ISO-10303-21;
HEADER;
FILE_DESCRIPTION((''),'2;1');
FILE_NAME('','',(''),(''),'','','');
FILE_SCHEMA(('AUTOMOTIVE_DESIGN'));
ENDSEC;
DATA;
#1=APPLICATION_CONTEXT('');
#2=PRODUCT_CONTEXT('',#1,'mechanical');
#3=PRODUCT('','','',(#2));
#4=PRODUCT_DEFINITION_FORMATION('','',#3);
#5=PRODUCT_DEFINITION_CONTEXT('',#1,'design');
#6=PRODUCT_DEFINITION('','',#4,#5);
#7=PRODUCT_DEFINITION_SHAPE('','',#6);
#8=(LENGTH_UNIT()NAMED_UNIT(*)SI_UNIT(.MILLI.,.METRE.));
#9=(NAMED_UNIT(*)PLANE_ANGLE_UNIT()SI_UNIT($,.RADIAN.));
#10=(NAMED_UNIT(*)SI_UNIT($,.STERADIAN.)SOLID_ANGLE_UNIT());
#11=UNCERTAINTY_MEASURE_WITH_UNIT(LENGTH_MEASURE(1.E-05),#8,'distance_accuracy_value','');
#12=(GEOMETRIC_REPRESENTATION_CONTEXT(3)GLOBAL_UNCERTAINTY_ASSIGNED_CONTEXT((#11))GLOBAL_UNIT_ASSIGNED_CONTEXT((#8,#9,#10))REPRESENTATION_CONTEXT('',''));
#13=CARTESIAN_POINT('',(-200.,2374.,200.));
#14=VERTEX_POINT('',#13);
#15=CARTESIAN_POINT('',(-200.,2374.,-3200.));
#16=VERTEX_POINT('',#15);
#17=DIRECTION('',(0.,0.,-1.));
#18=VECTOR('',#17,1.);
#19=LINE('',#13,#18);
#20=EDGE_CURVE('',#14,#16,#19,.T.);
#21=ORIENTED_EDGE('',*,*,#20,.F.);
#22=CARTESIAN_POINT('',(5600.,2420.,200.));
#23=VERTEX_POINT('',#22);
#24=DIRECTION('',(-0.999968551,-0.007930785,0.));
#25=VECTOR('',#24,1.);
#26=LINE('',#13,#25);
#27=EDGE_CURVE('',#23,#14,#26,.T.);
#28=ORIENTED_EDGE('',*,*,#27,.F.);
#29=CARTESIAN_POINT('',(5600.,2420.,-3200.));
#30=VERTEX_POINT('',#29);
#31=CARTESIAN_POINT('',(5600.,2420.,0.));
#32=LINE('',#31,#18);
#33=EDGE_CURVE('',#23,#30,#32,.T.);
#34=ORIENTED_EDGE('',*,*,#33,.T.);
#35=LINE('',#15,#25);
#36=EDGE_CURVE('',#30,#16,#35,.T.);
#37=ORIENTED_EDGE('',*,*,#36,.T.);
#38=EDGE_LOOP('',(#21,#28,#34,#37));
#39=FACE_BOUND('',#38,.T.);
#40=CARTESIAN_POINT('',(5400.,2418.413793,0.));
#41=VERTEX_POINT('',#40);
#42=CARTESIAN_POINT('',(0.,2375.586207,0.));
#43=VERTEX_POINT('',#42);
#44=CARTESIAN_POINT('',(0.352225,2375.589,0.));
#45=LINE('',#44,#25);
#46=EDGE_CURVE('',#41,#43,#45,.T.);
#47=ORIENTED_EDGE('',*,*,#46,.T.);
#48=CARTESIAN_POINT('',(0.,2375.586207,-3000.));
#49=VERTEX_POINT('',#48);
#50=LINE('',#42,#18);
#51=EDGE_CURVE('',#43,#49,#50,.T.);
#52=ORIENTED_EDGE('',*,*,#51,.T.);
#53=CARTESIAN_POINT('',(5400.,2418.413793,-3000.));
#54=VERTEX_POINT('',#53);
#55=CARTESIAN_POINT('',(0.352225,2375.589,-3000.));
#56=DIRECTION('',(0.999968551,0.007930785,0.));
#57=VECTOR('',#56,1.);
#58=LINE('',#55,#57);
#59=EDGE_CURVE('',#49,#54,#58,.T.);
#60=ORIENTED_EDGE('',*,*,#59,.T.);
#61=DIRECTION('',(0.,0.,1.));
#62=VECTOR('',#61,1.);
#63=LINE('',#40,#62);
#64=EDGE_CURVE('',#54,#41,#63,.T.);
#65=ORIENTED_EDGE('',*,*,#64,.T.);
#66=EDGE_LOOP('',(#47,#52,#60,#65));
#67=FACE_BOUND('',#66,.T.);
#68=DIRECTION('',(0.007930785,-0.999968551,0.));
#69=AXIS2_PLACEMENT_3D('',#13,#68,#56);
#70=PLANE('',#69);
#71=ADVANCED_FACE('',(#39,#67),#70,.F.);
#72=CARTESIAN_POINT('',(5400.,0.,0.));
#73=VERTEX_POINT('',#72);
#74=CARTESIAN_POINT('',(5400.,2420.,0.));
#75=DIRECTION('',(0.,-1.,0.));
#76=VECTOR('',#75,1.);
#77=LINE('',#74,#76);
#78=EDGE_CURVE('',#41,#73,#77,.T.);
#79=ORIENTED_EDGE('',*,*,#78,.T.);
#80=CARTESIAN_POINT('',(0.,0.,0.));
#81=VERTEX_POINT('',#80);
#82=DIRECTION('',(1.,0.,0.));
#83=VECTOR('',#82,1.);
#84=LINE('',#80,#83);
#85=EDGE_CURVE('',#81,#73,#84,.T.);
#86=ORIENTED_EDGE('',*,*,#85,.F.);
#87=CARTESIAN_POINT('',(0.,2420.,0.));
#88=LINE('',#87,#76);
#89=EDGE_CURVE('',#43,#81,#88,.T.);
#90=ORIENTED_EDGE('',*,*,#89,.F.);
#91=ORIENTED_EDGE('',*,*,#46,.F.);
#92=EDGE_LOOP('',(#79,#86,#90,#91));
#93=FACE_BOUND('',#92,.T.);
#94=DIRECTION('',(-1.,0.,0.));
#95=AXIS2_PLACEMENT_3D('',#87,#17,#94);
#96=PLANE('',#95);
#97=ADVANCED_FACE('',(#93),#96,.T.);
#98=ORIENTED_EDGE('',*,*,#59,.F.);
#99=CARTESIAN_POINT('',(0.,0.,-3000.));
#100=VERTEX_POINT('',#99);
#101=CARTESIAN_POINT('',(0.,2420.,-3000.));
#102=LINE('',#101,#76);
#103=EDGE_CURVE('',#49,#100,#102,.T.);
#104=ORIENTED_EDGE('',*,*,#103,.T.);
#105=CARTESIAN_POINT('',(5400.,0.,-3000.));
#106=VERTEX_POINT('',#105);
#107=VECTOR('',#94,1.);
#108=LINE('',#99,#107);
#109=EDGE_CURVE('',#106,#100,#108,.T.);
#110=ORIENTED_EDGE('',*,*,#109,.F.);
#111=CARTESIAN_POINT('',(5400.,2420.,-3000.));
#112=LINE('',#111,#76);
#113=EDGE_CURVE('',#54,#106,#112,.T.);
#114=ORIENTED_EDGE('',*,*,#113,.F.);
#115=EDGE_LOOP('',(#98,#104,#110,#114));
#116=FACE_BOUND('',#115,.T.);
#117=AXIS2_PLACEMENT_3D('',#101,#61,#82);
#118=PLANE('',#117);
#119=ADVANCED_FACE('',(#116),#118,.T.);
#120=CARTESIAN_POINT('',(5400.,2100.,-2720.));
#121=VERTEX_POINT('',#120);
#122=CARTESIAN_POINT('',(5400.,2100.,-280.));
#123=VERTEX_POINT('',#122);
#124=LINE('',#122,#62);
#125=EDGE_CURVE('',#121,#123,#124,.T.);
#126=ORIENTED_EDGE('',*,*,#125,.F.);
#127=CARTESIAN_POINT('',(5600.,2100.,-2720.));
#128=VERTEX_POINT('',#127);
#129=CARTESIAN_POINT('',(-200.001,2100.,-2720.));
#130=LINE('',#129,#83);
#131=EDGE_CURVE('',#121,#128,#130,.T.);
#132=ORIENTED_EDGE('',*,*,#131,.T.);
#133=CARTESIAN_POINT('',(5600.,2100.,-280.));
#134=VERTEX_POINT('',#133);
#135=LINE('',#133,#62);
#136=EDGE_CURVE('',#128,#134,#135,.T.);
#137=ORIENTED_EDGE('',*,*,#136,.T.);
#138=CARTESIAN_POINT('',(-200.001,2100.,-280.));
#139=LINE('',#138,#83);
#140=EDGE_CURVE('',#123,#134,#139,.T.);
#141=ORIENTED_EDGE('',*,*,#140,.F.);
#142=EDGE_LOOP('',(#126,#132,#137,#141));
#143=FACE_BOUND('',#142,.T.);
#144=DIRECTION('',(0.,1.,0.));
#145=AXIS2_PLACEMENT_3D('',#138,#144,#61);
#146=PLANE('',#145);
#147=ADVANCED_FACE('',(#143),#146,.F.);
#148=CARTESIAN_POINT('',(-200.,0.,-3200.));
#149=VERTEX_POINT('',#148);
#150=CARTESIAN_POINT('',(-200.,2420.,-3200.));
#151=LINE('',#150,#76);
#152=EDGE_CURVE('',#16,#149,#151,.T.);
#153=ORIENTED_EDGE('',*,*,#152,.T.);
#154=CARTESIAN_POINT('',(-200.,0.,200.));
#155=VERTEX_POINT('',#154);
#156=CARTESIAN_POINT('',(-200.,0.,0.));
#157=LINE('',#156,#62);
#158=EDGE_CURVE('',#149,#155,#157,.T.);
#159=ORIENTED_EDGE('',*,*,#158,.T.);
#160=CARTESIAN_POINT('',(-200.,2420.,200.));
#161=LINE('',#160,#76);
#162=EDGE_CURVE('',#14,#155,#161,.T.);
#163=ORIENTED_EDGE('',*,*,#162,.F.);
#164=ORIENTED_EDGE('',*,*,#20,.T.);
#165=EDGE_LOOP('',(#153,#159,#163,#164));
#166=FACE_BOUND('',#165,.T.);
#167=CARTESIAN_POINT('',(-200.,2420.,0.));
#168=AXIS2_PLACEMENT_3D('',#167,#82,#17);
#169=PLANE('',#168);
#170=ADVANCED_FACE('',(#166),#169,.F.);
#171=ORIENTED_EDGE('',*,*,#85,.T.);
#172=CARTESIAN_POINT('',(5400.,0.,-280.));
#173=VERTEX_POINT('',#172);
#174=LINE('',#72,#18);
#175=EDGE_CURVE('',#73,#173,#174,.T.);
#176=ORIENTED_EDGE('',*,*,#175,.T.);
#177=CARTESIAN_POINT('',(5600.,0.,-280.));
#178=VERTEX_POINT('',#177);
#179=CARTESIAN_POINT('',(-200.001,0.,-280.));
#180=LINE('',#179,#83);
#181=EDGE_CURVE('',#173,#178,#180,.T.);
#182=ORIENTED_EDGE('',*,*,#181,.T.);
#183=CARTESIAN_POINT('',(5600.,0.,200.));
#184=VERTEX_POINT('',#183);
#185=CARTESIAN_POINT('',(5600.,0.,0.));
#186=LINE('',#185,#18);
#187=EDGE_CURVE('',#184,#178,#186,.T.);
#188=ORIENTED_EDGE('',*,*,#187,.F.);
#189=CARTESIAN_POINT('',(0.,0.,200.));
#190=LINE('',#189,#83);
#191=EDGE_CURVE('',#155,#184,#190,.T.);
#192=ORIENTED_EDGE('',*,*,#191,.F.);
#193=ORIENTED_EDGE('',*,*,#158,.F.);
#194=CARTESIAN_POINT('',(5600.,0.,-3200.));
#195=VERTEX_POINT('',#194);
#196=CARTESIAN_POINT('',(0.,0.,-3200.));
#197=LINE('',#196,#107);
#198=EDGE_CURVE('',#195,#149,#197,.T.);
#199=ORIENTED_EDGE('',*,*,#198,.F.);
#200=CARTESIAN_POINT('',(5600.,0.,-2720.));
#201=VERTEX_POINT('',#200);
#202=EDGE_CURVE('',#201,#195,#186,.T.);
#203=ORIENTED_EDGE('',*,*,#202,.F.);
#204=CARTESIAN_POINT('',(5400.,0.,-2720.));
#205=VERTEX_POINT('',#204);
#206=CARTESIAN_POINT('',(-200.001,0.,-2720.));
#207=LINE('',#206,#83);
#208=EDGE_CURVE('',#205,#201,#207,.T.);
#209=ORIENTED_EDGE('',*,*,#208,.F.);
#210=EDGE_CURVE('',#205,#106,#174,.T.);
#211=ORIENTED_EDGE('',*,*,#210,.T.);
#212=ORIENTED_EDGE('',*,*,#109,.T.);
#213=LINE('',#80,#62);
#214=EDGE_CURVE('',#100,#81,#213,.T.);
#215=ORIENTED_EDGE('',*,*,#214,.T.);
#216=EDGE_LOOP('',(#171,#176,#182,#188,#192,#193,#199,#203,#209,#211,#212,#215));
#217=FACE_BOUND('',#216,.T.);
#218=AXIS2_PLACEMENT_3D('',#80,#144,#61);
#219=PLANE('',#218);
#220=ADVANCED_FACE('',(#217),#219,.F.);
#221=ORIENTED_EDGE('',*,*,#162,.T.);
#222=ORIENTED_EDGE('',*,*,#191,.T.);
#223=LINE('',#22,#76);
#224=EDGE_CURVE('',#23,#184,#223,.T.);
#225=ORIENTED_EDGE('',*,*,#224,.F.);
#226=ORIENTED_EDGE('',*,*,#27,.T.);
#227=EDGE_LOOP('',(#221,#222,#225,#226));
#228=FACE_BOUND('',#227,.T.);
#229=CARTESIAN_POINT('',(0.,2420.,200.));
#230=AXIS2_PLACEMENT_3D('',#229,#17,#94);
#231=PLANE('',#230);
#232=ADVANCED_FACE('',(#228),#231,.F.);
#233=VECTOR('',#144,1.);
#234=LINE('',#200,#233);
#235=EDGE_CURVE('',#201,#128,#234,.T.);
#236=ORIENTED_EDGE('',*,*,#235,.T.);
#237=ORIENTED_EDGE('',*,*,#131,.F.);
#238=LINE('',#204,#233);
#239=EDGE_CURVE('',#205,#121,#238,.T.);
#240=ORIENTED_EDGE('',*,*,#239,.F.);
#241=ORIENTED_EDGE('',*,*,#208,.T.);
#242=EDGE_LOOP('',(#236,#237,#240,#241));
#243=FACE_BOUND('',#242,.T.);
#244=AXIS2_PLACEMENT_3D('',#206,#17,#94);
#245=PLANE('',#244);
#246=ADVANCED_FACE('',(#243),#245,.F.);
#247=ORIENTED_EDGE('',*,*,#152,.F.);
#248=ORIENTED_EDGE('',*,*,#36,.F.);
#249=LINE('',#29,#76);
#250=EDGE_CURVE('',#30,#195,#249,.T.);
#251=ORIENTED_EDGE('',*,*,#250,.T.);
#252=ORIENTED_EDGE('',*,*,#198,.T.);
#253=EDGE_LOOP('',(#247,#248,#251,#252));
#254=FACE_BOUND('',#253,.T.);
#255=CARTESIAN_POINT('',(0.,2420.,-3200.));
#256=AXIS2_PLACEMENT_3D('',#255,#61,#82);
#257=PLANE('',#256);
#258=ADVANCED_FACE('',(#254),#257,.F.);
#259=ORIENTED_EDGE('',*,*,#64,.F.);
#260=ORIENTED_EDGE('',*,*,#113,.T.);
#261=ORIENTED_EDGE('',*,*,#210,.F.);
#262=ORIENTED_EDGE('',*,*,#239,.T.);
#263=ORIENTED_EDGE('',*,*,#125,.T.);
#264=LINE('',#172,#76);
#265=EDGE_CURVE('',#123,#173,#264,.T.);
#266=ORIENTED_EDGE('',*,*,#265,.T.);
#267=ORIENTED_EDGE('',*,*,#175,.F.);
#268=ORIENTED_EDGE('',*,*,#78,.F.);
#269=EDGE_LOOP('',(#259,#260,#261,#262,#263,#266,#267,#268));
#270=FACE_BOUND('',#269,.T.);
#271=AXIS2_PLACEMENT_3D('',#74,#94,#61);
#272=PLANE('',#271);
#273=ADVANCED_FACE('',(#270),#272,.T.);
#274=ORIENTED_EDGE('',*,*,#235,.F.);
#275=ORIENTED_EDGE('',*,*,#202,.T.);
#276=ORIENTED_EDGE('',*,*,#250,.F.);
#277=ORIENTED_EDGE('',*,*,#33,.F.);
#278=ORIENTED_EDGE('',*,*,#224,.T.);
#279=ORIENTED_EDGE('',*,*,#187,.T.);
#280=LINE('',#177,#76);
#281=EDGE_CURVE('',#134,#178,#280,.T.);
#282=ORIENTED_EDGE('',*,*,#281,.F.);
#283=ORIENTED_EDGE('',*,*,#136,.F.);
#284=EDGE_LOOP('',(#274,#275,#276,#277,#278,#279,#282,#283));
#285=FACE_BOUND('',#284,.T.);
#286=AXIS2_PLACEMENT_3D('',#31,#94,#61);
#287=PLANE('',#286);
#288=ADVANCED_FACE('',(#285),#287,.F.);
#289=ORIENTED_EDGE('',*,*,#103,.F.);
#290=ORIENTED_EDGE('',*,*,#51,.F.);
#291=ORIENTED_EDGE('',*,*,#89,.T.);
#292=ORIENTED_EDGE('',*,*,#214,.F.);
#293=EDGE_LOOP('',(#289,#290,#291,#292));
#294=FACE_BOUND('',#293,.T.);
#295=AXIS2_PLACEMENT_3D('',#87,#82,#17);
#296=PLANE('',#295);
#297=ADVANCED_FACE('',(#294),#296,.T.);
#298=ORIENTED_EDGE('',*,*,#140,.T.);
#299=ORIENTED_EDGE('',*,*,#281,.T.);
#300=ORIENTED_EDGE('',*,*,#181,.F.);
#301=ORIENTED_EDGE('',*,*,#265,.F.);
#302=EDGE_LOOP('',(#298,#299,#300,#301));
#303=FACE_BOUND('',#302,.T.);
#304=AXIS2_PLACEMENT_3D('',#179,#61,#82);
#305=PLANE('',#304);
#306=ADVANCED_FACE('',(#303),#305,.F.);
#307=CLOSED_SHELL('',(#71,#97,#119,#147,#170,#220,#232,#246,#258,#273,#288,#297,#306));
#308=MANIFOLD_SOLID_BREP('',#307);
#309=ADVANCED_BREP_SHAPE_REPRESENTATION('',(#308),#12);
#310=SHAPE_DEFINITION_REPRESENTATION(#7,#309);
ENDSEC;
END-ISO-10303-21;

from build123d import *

# Parameters (mm, degrees)
SKETCH_1_W          = 5800
SKETCH_1_H          = 3400
SKETCH_1_W_2        = 5400
SKETCH_1_H_2        = 3000
EXTRUDE_1_DEPTH     = 2420
CUT_EXTRUDE_1_REACH = 5802
SKETCH_2_W          = 2440
SKETCH_2_H          = 2100
CUT_EXTRUDE_2_DEPTH = 3401


with BuildPart() as part:
    # Эскиз1 → Вытянуть-Тонкостенный1 (new body)
    with BuildSketch(Plane(origin=(0, 0, 0), x_dir=(1, 0, 0), z_dir=(0, 1, 0))):
        with Locations((2700, 1500)):
            Rectangle(SKETCH_1_W, SKETCH_1_H)
        with Locations((2700, 1500)):
            Rectangle(SKETCH_1_W_2, SKETCH_1_H_2, mode=Mode.SUBTRACT)
    extrude(amount=EXTRUDE_1_DEPTH)

    # Эскиз2 → Вырез-Вытянуть1 (cut, up to next)
    with BuildSketch(Plane(origin=(5600, 0, 0), x_dir=(0, 0, -1), z_dir=(1, 0, 0)), mode=Mode.PRIVATE) as cut_extrude_1_sk1:
        with Locations((1500, 1050)):
            Rectangle(SKETCH_2_W, SKETCH_2_H)
    cut_extrude_1_tool1 = extrude(cut_extrude_1_sk1.sketch, amount=-CUT_EXTRUDE_1_REACH, mode=Mode.PRIVATE) & part.part
    add(cut_extrude_1_tool1.solids().sort_by_distance((5600, 1050, -1500))[0], mode=Mode.SUBTRACT)

    # Эскиз3 → Вырез-Вытянуть2 (cut, through all)
    with BuildSketch(Plane(origin=(0, 0, -3200), x_dir=(-1, 0, 0), z_dir=(0, 0, -1))):
        Polygon((-5600, 2420), (200, 2420), (200, 2374), align=None)
    extrude(amount=-CUT_EXTRUDE_2_DEPTH, mode=Mode.SUBTRACT)


solid = part.part
